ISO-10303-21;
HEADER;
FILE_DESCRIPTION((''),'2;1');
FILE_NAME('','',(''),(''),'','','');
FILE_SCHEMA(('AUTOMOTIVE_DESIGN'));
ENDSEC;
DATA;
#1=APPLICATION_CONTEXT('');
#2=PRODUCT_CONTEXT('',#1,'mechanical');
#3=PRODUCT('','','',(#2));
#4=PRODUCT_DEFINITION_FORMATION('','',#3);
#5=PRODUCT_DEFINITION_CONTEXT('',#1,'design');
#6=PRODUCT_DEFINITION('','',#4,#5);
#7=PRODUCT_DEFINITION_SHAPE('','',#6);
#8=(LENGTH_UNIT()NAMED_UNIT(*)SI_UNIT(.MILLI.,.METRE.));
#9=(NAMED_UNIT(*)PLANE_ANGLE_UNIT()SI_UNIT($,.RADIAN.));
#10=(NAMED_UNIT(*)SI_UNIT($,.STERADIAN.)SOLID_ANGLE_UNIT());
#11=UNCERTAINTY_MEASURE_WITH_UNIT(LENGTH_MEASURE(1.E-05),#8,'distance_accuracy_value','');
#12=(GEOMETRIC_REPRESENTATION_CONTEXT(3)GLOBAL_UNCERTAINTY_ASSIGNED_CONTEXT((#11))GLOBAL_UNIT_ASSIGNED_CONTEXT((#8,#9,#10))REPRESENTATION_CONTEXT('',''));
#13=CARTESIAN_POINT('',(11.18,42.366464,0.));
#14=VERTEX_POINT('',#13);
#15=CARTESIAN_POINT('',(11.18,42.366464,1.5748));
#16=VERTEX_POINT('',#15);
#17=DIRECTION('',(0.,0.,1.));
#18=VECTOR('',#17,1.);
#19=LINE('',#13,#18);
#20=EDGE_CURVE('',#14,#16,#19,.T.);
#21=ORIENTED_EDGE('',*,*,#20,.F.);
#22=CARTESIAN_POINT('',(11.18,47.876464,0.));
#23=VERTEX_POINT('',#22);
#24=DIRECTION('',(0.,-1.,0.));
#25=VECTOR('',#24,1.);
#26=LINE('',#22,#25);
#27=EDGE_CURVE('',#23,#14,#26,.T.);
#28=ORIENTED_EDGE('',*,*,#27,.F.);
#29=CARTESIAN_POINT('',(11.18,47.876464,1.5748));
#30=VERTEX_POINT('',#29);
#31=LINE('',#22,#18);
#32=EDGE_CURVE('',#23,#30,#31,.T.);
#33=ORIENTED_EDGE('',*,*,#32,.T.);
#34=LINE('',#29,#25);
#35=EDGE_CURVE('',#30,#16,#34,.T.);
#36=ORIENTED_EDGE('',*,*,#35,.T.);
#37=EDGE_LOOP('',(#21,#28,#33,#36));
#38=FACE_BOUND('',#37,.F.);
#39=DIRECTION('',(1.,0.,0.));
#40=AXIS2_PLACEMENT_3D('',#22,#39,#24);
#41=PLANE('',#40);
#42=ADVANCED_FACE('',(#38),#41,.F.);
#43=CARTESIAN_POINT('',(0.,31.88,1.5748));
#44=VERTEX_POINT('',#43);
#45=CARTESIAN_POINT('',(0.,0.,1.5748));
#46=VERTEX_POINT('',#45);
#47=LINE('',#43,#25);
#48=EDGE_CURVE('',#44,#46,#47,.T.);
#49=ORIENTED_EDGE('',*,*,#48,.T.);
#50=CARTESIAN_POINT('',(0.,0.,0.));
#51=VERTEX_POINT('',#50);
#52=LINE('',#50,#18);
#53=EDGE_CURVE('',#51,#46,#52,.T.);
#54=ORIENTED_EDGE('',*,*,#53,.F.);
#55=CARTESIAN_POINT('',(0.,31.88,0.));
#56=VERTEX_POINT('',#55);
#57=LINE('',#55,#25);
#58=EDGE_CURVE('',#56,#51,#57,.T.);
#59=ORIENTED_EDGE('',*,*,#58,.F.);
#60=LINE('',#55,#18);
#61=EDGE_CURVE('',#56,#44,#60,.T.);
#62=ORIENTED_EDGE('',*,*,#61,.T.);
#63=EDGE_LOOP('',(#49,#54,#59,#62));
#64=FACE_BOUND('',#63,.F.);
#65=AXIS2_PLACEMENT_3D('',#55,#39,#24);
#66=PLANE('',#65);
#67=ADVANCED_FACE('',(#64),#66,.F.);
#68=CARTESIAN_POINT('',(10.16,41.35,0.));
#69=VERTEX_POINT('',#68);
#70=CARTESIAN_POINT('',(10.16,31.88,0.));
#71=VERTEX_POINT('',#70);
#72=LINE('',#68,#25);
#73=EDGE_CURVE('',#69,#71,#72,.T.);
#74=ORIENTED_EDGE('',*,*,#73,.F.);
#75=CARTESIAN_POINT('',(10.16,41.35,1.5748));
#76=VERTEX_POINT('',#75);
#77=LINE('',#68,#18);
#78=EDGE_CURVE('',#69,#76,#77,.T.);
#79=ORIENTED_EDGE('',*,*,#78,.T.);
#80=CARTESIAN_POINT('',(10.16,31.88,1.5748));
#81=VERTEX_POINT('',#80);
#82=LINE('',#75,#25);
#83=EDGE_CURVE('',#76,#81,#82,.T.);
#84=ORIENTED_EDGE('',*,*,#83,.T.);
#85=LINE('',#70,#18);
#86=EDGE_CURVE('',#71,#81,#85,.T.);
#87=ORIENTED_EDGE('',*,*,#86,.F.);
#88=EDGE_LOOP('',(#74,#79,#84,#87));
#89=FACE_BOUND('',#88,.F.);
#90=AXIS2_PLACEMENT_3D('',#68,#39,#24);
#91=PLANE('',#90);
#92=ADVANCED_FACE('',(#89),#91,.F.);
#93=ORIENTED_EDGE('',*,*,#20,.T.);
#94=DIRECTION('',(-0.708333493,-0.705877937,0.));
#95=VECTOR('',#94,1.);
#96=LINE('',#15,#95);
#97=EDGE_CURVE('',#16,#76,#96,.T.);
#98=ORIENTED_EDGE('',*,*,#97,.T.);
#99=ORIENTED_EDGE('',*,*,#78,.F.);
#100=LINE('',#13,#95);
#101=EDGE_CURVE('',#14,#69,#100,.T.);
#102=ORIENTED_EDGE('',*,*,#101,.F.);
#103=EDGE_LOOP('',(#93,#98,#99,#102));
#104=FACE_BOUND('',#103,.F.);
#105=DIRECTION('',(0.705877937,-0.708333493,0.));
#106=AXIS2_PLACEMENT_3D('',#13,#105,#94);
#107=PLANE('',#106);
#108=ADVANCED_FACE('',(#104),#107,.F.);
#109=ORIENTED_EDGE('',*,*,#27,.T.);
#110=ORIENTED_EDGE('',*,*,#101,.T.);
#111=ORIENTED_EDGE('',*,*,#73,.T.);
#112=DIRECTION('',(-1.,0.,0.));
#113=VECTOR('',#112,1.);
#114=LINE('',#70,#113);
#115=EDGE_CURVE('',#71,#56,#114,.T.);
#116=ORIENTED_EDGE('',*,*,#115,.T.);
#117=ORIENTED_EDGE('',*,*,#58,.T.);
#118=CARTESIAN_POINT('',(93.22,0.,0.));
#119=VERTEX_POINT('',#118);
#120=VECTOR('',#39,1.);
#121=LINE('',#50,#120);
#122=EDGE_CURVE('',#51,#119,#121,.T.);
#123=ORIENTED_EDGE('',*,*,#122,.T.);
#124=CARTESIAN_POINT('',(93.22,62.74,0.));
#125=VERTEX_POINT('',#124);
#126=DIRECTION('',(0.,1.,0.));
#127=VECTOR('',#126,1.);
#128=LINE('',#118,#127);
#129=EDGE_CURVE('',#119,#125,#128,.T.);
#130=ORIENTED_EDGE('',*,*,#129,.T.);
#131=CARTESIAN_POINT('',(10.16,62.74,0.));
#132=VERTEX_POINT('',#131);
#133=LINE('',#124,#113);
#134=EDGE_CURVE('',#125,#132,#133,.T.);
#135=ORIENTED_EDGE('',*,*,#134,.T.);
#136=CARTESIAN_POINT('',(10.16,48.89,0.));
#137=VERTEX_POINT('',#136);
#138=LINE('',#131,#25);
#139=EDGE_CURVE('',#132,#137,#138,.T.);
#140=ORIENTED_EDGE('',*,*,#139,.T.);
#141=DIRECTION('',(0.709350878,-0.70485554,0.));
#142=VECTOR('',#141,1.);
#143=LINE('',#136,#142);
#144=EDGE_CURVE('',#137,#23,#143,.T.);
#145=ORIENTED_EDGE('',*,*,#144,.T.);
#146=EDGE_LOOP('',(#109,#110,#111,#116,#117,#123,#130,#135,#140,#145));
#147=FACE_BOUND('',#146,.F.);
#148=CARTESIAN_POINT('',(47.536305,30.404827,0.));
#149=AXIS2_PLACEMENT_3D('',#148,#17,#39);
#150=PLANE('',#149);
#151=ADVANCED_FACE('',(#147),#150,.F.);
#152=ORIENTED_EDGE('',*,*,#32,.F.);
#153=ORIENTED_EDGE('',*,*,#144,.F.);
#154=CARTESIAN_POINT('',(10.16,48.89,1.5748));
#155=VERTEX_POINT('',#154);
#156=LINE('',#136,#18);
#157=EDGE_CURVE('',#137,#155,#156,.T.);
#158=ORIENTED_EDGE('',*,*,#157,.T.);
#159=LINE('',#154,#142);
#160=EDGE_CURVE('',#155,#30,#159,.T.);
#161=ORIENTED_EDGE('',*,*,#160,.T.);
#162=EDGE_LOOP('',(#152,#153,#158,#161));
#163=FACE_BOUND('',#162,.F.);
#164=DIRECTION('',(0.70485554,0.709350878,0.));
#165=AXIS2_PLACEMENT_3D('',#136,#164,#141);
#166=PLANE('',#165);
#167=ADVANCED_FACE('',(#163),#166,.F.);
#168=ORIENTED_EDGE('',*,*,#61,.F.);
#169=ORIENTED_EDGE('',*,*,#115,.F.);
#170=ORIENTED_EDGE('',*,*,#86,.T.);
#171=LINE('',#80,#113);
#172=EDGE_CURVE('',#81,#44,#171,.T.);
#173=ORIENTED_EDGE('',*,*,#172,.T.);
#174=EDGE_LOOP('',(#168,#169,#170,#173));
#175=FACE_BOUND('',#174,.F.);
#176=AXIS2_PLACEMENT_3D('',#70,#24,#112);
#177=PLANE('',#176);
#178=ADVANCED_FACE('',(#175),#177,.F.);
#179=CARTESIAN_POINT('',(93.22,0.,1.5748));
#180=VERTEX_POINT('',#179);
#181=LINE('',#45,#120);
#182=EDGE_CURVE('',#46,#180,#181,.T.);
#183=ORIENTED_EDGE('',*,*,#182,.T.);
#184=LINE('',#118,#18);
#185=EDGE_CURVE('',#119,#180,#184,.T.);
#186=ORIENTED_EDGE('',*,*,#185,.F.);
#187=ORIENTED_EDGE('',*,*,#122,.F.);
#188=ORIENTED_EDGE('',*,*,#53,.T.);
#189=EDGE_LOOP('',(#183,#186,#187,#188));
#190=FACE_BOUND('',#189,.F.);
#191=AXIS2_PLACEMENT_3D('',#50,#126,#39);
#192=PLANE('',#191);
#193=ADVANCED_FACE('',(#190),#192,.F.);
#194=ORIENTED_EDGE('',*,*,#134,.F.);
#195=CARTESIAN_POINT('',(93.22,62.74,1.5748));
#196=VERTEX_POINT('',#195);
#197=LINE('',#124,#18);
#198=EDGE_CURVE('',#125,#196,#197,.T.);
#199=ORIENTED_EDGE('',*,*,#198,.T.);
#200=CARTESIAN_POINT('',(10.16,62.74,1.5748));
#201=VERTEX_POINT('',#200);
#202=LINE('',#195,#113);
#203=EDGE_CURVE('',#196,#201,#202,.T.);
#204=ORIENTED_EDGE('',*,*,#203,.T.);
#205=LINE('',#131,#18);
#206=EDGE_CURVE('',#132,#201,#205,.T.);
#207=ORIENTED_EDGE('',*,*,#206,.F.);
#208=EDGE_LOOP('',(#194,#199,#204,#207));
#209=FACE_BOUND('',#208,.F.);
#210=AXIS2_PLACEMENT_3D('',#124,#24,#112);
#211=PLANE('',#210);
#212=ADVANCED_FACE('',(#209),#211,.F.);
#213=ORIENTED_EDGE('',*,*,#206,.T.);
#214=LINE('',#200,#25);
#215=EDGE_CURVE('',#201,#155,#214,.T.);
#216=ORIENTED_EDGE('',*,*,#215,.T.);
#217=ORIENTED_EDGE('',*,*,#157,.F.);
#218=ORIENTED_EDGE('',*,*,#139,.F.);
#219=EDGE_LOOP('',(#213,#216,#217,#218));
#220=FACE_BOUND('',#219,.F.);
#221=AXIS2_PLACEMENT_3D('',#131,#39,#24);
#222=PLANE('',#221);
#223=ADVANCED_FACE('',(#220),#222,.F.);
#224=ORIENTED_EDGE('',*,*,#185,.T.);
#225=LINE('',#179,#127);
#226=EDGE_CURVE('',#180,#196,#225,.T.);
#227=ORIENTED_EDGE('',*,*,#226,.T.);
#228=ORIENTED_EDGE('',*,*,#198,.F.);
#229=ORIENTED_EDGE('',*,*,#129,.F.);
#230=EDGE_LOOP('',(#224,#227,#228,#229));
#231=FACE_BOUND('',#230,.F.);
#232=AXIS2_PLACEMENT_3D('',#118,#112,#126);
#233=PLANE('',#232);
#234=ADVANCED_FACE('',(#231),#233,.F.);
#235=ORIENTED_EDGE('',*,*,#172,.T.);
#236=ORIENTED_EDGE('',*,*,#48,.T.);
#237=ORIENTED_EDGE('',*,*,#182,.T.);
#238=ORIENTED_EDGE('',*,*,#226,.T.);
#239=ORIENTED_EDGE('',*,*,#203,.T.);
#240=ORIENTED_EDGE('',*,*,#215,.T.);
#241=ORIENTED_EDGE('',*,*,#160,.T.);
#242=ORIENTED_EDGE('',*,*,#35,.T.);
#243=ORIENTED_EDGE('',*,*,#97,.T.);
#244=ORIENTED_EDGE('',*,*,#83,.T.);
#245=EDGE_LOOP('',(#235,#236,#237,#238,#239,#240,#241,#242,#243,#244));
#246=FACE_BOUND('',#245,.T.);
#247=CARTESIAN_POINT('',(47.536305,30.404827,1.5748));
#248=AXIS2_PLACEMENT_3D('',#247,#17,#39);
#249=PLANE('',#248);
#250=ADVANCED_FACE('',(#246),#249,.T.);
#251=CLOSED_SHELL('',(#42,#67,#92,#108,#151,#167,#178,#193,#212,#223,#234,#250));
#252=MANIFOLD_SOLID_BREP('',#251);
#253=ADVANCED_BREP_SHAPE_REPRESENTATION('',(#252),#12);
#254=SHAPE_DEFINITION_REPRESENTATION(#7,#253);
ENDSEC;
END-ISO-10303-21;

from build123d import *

# Parameters (mm, degrees)
EXTRUDE_DEPTH = 1.5748


with BuildPart() as part:
    # Sketch126 → Extrude (new body)
    with BuildSketch(Plane.XY):
        Polygon((0, 0), (93.22, 0), (93.22, 62.74), (10.16, 62.74), (10.16, 48.89), (11.18, 47.876464), (11.18, 42.366464), (10.16, 41.35), (10.16, 31.88), (0, 31.88), align=None)
    extrude(amount=EXTRUDE_DEPTH)


solid = part.part
